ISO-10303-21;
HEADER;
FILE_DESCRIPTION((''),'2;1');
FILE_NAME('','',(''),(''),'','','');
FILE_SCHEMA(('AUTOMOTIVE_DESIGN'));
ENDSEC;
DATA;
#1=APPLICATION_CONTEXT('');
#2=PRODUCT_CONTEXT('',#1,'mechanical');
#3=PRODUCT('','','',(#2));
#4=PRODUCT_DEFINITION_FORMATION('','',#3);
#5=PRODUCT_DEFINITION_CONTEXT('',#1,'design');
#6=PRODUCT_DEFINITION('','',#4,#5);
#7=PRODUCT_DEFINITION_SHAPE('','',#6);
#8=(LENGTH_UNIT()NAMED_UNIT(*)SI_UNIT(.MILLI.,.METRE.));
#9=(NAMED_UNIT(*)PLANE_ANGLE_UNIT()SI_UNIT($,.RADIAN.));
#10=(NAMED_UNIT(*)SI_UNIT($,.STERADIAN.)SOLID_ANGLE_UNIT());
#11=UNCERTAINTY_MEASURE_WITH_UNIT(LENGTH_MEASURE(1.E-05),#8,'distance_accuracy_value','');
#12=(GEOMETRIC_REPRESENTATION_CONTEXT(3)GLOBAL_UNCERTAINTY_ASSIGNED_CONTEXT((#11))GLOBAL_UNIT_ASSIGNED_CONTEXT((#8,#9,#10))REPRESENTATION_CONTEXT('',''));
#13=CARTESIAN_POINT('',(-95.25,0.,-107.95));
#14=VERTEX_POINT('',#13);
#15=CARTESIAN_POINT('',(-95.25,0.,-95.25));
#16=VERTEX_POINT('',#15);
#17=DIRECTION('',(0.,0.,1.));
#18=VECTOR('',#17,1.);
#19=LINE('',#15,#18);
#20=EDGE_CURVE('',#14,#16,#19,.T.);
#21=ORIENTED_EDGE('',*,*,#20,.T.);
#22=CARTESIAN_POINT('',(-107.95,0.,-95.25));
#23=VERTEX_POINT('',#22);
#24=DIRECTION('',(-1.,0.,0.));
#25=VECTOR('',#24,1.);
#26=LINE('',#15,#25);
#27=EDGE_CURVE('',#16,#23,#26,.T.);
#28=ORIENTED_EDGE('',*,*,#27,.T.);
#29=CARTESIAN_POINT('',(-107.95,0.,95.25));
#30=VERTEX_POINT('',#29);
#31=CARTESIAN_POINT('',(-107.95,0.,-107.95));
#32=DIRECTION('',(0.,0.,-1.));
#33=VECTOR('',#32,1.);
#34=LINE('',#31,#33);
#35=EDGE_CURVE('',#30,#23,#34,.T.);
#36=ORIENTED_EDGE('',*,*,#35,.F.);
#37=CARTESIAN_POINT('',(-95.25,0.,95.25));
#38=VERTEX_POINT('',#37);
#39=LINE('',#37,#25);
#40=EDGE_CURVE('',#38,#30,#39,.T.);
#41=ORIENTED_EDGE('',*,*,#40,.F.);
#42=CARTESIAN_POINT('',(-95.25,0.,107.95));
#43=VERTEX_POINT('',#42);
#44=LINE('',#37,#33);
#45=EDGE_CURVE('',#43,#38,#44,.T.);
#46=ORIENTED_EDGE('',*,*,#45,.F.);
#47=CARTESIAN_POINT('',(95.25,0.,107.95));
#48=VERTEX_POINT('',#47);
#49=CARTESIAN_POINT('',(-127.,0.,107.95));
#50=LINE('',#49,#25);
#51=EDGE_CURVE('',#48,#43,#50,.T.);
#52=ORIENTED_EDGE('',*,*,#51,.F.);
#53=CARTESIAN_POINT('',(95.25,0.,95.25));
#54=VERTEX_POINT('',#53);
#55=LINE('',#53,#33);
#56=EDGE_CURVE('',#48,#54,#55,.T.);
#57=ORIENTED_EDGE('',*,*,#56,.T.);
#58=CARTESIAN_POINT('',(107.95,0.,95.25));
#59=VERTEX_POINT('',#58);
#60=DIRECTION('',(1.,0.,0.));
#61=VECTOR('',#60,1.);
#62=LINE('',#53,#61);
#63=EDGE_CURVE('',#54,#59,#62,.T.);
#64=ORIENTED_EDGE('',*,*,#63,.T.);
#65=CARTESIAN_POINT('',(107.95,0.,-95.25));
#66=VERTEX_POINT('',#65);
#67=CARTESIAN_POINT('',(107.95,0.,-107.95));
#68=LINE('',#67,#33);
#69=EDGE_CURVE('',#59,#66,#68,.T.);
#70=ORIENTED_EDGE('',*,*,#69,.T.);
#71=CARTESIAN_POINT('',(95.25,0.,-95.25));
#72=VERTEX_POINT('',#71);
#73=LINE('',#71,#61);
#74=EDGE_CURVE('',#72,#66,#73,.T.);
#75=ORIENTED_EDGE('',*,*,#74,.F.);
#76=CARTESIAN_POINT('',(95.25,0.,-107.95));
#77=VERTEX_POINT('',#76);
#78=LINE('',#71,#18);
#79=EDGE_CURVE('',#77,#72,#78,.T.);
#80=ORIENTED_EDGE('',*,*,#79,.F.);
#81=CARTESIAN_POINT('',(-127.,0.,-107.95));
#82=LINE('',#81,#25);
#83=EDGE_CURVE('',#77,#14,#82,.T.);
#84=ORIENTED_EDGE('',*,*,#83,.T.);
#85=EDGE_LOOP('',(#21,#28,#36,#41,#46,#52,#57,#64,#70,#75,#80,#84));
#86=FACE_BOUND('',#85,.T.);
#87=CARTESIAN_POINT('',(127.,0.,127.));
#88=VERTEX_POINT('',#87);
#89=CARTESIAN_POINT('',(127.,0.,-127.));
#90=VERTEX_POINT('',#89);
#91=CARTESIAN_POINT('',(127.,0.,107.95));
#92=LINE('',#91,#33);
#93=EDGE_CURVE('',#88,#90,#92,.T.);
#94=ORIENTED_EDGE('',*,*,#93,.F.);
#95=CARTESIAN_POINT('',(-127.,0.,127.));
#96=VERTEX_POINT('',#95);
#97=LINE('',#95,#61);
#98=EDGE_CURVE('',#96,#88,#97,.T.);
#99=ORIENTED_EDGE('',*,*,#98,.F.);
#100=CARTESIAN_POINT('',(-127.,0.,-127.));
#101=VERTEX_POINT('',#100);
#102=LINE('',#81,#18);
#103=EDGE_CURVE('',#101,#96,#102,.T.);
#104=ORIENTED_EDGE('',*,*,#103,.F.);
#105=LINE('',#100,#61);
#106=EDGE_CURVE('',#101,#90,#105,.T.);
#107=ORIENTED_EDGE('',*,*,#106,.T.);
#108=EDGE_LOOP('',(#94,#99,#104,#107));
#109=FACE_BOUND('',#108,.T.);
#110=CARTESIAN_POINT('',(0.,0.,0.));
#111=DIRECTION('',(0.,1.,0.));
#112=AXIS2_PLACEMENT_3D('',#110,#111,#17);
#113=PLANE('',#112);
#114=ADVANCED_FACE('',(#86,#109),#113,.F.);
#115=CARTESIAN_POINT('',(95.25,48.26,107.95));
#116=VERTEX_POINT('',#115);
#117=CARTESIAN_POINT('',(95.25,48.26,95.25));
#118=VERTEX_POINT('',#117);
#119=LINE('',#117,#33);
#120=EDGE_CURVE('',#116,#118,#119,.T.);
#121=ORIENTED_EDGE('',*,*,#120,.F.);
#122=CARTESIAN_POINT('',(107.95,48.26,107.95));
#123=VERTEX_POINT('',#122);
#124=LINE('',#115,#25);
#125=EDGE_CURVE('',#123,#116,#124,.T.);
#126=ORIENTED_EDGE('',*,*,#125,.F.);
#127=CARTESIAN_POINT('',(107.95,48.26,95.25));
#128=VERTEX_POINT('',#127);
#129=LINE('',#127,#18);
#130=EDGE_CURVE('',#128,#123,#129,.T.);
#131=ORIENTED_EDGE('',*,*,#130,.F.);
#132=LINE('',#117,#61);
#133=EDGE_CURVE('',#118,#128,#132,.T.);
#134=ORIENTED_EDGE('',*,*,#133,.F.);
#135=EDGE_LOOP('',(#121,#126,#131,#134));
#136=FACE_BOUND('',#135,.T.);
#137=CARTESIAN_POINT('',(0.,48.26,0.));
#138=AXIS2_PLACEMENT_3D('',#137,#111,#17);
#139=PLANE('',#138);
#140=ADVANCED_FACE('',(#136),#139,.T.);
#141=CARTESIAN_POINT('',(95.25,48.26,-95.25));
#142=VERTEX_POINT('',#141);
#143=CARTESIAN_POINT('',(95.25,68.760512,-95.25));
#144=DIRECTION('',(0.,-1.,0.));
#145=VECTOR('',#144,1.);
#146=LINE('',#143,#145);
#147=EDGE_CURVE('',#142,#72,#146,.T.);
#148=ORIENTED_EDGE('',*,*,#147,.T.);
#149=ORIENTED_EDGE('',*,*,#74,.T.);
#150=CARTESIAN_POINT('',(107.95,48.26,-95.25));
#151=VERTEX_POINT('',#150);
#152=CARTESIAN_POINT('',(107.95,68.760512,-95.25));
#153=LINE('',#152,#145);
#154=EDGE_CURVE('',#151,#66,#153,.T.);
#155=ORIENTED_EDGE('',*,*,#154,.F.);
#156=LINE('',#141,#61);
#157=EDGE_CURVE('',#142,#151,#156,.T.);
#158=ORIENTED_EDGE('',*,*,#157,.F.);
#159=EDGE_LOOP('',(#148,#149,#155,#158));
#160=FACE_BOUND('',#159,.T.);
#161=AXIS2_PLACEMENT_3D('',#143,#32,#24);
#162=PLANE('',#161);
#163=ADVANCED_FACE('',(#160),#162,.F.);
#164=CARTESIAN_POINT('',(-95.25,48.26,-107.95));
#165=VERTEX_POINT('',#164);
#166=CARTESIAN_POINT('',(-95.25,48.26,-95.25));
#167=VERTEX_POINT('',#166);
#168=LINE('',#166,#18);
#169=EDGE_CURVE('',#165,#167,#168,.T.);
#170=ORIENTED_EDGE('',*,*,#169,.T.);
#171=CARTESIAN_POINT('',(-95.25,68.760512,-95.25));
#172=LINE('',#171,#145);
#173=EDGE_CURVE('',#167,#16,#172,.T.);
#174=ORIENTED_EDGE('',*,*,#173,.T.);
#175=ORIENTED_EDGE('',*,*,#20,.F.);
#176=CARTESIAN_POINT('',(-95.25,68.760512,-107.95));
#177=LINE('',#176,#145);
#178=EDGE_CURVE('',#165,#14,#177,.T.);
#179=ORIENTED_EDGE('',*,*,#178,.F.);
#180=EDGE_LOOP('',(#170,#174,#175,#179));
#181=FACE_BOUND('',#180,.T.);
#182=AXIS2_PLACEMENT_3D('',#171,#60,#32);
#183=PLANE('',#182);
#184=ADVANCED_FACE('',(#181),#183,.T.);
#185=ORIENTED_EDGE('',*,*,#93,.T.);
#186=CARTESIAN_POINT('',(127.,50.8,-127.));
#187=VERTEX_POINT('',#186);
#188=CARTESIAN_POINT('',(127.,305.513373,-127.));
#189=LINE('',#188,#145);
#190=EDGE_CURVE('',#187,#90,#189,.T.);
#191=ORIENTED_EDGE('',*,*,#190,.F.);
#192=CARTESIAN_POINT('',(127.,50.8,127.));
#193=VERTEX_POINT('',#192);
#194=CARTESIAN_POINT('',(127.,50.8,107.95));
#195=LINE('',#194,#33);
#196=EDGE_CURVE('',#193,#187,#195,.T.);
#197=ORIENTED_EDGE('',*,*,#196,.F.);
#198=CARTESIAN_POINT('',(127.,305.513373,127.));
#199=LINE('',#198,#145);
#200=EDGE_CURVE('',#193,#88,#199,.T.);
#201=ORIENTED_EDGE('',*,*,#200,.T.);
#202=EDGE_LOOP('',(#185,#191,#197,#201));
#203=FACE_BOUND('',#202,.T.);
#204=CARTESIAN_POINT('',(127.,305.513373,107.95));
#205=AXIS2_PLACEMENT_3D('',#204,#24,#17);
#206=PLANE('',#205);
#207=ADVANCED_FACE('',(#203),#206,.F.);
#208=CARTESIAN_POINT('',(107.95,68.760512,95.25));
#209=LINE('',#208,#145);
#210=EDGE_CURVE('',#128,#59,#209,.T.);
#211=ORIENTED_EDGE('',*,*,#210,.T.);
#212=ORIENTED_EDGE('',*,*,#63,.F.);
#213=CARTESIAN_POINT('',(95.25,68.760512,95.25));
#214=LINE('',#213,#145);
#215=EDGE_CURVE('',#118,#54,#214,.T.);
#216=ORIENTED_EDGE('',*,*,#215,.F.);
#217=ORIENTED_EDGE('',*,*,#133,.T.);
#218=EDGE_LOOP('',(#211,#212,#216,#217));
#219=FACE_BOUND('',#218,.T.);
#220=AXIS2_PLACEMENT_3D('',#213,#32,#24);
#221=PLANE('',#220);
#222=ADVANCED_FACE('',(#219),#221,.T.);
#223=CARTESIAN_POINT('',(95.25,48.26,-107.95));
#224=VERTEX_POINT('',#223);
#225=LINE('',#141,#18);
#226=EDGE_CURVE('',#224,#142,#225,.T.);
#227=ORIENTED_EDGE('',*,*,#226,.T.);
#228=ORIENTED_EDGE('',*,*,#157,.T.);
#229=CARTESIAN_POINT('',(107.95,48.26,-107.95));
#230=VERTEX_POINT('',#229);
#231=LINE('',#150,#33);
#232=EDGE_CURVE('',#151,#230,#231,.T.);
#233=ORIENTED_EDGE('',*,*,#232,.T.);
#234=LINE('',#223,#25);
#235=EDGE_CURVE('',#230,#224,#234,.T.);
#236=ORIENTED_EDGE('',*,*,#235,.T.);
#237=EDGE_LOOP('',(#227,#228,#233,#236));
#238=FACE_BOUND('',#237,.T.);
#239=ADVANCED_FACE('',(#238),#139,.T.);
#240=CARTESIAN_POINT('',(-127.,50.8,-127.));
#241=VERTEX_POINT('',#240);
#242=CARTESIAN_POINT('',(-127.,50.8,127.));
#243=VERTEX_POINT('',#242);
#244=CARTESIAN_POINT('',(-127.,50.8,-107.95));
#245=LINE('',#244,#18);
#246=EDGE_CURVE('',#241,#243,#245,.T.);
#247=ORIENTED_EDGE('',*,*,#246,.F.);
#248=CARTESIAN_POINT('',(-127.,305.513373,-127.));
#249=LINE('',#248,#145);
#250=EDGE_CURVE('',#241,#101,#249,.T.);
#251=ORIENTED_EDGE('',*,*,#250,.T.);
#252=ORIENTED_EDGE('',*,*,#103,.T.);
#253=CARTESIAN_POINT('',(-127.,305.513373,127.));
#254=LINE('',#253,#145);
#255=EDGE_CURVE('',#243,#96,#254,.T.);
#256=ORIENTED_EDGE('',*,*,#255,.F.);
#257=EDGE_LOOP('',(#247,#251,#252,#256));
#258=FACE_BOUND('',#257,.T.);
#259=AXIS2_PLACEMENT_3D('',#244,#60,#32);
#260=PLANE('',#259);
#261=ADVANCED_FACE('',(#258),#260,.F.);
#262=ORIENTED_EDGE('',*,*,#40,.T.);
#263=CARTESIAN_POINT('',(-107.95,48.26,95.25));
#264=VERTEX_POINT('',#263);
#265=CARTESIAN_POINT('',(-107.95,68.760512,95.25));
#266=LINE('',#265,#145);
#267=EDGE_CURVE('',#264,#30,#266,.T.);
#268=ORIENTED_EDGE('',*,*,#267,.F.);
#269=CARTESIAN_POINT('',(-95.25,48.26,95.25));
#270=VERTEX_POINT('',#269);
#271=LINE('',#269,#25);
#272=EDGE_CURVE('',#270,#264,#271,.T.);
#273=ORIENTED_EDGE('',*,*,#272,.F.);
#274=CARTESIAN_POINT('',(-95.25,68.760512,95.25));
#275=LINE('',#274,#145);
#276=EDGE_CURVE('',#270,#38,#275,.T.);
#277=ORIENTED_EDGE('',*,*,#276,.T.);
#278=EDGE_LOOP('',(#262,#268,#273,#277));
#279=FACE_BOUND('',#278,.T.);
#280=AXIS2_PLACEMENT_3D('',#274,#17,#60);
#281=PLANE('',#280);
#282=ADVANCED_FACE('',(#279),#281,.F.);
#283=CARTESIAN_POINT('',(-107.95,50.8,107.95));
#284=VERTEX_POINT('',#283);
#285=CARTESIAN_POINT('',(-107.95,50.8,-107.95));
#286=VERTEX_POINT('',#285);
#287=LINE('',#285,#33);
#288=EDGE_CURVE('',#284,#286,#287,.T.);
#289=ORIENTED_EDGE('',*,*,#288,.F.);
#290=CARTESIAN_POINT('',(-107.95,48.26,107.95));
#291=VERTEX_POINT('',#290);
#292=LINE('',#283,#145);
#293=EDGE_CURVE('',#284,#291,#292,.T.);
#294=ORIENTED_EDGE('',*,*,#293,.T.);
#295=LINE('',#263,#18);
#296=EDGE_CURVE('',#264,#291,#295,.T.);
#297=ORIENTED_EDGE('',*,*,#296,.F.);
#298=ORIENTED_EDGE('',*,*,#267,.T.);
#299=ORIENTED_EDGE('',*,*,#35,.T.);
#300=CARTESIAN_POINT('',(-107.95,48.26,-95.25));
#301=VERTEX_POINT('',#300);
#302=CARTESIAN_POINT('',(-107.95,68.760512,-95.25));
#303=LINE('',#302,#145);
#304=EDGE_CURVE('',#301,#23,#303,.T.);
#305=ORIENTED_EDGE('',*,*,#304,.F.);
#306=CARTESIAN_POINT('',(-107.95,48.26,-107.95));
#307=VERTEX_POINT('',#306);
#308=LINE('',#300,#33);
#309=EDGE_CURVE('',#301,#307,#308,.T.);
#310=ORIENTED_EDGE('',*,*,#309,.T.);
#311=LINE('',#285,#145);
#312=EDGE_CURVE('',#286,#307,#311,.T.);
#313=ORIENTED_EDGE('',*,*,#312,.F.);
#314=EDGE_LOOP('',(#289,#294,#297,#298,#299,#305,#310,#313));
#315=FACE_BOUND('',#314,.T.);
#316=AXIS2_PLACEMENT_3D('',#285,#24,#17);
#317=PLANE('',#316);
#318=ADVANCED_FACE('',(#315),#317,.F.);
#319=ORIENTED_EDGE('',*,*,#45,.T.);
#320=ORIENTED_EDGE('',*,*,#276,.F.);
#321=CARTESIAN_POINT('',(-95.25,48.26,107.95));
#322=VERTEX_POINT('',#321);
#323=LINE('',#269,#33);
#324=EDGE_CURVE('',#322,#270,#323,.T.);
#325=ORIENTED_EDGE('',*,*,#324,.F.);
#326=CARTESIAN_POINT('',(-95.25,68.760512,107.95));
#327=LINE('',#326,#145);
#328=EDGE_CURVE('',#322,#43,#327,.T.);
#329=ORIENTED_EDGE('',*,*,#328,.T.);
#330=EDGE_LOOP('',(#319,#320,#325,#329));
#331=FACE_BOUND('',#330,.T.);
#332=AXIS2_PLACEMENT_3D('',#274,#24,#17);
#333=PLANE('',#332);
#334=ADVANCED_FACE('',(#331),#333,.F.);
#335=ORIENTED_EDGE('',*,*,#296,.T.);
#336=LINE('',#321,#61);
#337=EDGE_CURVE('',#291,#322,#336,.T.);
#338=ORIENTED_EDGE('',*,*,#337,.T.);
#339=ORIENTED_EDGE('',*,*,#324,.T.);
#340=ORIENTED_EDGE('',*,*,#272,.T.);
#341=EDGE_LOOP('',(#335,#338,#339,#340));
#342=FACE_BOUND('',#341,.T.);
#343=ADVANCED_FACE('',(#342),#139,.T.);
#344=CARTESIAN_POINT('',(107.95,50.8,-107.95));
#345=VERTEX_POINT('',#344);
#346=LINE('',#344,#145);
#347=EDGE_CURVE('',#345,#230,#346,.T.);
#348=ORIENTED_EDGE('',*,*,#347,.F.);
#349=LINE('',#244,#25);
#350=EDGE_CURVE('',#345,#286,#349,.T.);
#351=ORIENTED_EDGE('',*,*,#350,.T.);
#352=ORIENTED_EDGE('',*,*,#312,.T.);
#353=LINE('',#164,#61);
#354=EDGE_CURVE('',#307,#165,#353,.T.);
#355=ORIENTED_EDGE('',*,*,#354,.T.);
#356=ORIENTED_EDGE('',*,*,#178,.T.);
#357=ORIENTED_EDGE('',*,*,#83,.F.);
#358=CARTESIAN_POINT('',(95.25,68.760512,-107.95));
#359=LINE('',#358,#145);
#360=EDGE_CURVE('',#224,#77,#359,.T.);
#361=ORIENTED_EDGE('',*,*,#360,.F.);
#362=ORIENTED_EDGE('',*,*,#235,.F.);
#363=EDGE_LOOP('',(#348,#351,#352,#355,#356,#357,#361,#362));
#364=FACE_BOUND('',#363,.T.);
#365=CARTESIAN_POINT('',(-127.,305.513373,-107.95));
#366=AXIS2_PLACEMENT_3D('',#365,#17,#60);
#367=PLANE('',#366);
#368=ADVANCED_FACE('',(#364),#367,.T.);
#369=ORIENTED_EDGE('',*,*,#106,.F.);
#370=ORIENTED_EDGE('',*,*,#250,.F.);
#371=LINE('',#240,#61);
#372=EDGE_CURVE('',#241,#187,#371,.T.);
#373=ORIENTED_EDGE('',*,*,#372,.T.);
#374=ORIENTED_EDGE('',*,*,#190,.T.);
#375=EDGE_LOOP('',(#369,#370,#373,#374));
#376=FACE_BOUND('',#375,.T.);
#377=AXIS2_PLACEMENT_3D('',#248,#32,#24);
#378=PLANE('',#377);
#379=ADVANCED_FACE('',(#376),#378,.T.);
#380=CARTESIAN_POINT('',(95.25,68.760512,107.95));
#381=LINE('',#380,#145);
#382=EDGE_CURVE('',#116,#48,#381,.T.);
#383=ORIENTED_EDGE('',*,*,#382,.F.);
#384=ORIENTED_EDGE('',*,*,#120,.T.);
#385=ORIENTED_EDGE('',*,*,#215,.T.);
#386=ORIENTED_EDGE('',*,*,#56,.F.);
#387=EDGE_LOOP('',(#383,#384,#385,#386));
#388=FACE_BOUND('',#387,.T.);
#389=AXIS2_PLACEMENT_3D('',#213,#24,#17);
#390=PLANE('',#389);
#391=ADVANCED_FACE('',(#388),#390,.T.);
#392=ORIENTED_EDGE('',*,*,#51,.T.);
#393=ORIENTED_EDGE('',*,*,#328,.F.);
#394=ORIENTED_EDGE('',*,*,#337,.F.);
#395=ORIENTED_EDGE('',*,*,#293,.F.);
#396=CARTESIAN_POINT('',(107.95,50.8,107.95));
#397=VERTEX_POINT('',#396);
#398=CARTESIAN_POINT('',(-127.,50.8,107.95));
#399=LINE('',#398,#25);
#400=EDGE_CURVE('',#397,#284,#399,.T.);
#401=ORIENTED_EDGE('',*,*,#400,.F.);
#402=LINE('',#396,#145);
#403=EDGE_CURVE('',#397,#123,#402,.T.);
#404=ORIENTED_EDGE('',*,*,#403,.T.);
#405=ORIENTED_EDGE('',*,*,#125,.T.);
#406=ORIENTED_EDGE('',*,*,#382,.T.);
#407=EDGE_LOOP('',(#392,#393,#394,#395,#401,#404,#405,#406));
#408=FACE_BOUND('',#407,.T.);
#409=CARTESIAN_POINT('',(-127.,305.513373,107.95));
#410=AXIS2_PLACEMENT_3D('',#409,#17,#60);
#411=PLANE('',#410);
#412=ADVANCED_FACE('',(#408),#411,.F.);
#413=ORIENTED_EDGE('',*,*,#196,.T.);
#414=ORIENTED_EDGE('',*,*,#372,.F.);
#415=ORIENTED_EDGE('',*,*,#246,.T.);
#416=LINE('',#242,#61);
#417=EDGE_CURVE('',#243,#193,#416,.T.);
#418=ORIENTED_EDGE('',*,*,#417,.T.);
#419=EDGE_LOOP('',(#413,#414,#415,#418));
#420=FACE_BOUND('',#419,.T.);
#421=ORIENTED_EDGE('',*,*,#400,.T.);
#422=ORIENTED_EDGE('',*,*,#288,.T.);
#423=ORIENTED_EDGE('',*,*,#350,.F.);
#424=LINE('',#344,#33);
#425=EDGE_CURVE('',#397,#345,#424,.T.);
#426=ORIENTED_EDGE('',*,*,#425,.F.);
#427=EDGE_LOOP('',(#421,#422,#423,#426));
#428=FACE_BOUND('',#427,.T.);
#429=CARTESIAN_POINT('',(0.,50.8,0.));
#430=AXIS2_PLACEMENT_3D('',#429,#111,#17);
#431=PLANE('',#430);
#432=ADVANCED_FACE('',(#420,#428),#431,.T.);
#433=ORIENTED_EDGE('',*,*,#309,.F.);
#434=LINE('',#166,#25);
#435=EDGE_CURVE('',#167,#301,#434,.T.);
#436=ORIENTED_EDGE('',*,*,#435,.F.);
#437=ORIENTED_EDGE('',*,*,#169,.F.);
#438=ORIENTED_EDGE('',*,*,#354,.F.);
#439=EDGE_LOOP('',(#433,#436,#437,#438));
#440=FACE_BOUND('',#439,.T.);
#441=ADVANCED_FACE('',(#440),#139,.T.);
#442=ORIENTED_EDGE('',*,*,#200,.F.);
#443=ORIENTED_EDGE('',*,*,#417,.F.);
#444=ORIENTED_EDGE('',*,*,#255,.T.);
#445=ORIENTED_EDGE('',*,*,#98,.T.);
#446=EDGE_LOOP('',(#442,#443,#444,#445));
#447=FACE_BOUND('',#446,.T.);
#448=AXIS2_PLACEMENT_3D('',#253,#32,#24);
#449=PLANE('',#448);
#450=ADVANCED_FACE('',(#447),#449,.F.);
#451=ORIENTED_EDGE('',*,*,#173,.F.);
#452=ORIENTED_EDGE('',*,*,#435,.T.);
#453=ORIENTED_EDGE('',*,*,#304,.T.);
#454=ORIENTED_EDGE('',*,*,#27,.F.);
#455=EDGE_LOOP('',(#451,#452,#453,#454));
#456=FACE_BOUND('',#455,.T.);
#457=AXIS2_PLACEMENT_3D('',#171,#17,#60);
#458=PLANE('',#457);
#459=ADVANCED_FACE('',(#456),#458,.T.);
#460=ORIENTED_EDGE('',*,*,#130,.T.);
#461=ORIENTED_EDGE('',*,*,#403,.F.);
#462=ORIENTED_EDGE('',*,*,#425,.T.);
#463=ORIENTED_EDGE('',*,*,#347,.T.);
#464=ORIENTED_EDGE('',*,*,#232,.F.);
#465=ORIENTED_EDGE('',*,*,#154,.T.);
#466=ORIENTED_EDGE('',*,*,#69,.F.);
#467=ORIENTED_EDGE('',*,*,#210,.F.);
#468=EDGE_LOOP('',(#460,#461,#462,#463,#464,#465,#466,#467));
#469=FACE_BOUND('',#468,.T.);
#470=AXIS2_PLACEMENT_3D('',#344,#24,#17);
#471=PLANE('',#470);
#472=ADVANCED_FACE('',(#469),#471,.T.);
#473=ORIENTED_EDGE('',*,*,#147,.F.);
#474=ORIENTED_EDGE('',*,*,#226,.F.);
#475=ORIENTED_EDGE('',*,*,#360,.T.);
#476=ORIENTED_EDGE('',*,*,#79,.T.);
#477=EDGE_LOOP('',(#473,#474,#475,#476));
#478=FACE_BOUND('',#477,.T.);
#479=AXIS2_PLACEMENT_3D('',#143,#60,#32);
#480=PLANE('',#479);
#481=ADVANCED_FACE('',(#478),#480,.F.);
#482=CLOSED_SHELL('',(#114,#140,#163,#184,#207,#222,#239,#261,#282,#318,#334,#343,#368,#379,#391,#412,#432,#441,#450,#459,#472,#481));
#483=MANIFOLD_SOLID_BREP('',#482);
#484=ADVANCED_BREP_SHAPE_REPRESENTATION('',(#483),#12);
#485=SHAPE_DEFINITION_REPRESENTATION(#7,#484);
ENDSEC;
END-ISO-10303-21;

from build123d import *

# Parameters (mm, degrees)
SKETCH3_W               = 19.05
SKETCH3_H               = 215.9
BOSS_EXTRUDE1_DEPTH     = 50.8
SKETCH5_W               = 254
SKETCH5_H               = 19.05
BOSS_EXTRUDE2_DEPTH     = 50.8
SKETCH6_W               = 12.7
SKETCH6_H               = 12.7
BOSS_EXTRUDE3_DEPTH     = 48.26
MIRROR3_COPY_1_SKETCH_W = 19.05
MIRROR3_COPY_1_SKETCH_H = 215.9
MIRROR3_COPY_1_DEPTH    = 50.8
MIRROR3_COPY_2_SKETCH_W = 12.7
MIRROR3_COPY_2_SKETCH_H = 12.7
MIRROR3_COPY_2_DEPTH    = 48.26
MIRROR3_COPY_3_SKETCH_W = 19.05
MIRROR3_COPY_3_SKETCH_H = 215.9
MIRROR3_COPY_3_DEPTH    = 50.8


with BuildPart() as part:
    # Sketch3 → Boss-Extrude1 (new body)
    with BuildSketch(Plane(origin=(0, 0, 0), x_dir=(1, 0, 0), z_dir=(0, 1, 0))):
        with Locations((-117.475, 0)):
            Rectangle(SKETCH3_W, SKETCH3_H)
    boss_extrude1 = extrude(amount=BOSS_EXTRUDE1_DEPTH)

    # Sketch5 → Boss-Extrude2 (add)
    with BuildSketch(Plane(origin=(0, 0, 0), x_dir=(1, 0, 0), z_dir=(0, 1, 0))):
        with Locations((0, -117.475)):
            Rectangle(SKETCH5_W, SKETCH5_H)
    boss_extrude2 = extrude(amount=BOSS_EXTRUDE2_DEPTH)

    # Sketch6 → Boss-Extrude3 (add)
    with BuildSketch(Plane(origin=(0, 0, 0), x_dir=(1, 0, 0), z_dir=(0, 1, 0))):
        with Locations((-101.6, -101.6)):
            Rectangle(SKETCH6_W, SKETCH6_H)
    boss_extrude3 = extrude(amount=BOSS_EXTRUDE3_DEPTH)

    # Mirror2: Boss-Extrude1, Boss-Extrude3 across plane
    add(boss_extrude1.mirror(Plane(origin=(0, 0, 0), x_dir=(0, 0, 1), z_dir=(1, 0, 0))))
    add(boss_extrude3.mirror(Plane(origin=(0, 0, 0), x_dir=(0, 0, 1), z_dir=(1, 0, 0))))

    # Mirror3: Boss-Extrude3, Boss-Extrude2 across plane
    add(boss_extrude3.mirror(Plane.XY))
    add(boss_extrude2.mirror(Plane.XY))

    # Mirror3 copy 1 sketch → Mirror3 copy 1 (add)
    with BuildSketch(Plane(origin=(0, 0, 0), x_dir=(-1, 0, 0), z_dir=(0, 1, 0))):
        with Locations((-117.475, 0)):
            Rectangle(MIRROR3_COPY_1_SKETCH_W, MIRROR3_COPY_1_SKETCH_H)
    extrude(amount=MIRROR3_COPY_1_DEPTH)

    # Mirror3 copy 2 sketch → Mirror3 copy 2 (add)
    with BuildSketch(Plane(origin=(0, 0, 0), x_dir=(-1, 0, 0), z_dir=(0, 1, 0))):
        with Locations((-101.6, -101.6)):
            Rectangle(MIRROR3_COPY_2_SKETCH_W, MIRROR3_COPY_2_SKETCH_H)
    extrude(amount=MIRROR3_COPY_2_DEPTH)

    # Mirror3 copy 3 sketch → Mirror3 copy 3 (add)
    with BuildSketch(Plane(origin=(0, 0, 0), x_dir=(1, 0, 0), z_dir=(0, 1, 0))):
        with Locations((-117.475, 0)):
            Rectangle(MIRROR3_COPY_3_SKETCH_W, MIRROR3_COPY_3_SKETCH_H)
    extrude(amount=MIRROR3_COPY_3_DEPTH)


solid = part.part
